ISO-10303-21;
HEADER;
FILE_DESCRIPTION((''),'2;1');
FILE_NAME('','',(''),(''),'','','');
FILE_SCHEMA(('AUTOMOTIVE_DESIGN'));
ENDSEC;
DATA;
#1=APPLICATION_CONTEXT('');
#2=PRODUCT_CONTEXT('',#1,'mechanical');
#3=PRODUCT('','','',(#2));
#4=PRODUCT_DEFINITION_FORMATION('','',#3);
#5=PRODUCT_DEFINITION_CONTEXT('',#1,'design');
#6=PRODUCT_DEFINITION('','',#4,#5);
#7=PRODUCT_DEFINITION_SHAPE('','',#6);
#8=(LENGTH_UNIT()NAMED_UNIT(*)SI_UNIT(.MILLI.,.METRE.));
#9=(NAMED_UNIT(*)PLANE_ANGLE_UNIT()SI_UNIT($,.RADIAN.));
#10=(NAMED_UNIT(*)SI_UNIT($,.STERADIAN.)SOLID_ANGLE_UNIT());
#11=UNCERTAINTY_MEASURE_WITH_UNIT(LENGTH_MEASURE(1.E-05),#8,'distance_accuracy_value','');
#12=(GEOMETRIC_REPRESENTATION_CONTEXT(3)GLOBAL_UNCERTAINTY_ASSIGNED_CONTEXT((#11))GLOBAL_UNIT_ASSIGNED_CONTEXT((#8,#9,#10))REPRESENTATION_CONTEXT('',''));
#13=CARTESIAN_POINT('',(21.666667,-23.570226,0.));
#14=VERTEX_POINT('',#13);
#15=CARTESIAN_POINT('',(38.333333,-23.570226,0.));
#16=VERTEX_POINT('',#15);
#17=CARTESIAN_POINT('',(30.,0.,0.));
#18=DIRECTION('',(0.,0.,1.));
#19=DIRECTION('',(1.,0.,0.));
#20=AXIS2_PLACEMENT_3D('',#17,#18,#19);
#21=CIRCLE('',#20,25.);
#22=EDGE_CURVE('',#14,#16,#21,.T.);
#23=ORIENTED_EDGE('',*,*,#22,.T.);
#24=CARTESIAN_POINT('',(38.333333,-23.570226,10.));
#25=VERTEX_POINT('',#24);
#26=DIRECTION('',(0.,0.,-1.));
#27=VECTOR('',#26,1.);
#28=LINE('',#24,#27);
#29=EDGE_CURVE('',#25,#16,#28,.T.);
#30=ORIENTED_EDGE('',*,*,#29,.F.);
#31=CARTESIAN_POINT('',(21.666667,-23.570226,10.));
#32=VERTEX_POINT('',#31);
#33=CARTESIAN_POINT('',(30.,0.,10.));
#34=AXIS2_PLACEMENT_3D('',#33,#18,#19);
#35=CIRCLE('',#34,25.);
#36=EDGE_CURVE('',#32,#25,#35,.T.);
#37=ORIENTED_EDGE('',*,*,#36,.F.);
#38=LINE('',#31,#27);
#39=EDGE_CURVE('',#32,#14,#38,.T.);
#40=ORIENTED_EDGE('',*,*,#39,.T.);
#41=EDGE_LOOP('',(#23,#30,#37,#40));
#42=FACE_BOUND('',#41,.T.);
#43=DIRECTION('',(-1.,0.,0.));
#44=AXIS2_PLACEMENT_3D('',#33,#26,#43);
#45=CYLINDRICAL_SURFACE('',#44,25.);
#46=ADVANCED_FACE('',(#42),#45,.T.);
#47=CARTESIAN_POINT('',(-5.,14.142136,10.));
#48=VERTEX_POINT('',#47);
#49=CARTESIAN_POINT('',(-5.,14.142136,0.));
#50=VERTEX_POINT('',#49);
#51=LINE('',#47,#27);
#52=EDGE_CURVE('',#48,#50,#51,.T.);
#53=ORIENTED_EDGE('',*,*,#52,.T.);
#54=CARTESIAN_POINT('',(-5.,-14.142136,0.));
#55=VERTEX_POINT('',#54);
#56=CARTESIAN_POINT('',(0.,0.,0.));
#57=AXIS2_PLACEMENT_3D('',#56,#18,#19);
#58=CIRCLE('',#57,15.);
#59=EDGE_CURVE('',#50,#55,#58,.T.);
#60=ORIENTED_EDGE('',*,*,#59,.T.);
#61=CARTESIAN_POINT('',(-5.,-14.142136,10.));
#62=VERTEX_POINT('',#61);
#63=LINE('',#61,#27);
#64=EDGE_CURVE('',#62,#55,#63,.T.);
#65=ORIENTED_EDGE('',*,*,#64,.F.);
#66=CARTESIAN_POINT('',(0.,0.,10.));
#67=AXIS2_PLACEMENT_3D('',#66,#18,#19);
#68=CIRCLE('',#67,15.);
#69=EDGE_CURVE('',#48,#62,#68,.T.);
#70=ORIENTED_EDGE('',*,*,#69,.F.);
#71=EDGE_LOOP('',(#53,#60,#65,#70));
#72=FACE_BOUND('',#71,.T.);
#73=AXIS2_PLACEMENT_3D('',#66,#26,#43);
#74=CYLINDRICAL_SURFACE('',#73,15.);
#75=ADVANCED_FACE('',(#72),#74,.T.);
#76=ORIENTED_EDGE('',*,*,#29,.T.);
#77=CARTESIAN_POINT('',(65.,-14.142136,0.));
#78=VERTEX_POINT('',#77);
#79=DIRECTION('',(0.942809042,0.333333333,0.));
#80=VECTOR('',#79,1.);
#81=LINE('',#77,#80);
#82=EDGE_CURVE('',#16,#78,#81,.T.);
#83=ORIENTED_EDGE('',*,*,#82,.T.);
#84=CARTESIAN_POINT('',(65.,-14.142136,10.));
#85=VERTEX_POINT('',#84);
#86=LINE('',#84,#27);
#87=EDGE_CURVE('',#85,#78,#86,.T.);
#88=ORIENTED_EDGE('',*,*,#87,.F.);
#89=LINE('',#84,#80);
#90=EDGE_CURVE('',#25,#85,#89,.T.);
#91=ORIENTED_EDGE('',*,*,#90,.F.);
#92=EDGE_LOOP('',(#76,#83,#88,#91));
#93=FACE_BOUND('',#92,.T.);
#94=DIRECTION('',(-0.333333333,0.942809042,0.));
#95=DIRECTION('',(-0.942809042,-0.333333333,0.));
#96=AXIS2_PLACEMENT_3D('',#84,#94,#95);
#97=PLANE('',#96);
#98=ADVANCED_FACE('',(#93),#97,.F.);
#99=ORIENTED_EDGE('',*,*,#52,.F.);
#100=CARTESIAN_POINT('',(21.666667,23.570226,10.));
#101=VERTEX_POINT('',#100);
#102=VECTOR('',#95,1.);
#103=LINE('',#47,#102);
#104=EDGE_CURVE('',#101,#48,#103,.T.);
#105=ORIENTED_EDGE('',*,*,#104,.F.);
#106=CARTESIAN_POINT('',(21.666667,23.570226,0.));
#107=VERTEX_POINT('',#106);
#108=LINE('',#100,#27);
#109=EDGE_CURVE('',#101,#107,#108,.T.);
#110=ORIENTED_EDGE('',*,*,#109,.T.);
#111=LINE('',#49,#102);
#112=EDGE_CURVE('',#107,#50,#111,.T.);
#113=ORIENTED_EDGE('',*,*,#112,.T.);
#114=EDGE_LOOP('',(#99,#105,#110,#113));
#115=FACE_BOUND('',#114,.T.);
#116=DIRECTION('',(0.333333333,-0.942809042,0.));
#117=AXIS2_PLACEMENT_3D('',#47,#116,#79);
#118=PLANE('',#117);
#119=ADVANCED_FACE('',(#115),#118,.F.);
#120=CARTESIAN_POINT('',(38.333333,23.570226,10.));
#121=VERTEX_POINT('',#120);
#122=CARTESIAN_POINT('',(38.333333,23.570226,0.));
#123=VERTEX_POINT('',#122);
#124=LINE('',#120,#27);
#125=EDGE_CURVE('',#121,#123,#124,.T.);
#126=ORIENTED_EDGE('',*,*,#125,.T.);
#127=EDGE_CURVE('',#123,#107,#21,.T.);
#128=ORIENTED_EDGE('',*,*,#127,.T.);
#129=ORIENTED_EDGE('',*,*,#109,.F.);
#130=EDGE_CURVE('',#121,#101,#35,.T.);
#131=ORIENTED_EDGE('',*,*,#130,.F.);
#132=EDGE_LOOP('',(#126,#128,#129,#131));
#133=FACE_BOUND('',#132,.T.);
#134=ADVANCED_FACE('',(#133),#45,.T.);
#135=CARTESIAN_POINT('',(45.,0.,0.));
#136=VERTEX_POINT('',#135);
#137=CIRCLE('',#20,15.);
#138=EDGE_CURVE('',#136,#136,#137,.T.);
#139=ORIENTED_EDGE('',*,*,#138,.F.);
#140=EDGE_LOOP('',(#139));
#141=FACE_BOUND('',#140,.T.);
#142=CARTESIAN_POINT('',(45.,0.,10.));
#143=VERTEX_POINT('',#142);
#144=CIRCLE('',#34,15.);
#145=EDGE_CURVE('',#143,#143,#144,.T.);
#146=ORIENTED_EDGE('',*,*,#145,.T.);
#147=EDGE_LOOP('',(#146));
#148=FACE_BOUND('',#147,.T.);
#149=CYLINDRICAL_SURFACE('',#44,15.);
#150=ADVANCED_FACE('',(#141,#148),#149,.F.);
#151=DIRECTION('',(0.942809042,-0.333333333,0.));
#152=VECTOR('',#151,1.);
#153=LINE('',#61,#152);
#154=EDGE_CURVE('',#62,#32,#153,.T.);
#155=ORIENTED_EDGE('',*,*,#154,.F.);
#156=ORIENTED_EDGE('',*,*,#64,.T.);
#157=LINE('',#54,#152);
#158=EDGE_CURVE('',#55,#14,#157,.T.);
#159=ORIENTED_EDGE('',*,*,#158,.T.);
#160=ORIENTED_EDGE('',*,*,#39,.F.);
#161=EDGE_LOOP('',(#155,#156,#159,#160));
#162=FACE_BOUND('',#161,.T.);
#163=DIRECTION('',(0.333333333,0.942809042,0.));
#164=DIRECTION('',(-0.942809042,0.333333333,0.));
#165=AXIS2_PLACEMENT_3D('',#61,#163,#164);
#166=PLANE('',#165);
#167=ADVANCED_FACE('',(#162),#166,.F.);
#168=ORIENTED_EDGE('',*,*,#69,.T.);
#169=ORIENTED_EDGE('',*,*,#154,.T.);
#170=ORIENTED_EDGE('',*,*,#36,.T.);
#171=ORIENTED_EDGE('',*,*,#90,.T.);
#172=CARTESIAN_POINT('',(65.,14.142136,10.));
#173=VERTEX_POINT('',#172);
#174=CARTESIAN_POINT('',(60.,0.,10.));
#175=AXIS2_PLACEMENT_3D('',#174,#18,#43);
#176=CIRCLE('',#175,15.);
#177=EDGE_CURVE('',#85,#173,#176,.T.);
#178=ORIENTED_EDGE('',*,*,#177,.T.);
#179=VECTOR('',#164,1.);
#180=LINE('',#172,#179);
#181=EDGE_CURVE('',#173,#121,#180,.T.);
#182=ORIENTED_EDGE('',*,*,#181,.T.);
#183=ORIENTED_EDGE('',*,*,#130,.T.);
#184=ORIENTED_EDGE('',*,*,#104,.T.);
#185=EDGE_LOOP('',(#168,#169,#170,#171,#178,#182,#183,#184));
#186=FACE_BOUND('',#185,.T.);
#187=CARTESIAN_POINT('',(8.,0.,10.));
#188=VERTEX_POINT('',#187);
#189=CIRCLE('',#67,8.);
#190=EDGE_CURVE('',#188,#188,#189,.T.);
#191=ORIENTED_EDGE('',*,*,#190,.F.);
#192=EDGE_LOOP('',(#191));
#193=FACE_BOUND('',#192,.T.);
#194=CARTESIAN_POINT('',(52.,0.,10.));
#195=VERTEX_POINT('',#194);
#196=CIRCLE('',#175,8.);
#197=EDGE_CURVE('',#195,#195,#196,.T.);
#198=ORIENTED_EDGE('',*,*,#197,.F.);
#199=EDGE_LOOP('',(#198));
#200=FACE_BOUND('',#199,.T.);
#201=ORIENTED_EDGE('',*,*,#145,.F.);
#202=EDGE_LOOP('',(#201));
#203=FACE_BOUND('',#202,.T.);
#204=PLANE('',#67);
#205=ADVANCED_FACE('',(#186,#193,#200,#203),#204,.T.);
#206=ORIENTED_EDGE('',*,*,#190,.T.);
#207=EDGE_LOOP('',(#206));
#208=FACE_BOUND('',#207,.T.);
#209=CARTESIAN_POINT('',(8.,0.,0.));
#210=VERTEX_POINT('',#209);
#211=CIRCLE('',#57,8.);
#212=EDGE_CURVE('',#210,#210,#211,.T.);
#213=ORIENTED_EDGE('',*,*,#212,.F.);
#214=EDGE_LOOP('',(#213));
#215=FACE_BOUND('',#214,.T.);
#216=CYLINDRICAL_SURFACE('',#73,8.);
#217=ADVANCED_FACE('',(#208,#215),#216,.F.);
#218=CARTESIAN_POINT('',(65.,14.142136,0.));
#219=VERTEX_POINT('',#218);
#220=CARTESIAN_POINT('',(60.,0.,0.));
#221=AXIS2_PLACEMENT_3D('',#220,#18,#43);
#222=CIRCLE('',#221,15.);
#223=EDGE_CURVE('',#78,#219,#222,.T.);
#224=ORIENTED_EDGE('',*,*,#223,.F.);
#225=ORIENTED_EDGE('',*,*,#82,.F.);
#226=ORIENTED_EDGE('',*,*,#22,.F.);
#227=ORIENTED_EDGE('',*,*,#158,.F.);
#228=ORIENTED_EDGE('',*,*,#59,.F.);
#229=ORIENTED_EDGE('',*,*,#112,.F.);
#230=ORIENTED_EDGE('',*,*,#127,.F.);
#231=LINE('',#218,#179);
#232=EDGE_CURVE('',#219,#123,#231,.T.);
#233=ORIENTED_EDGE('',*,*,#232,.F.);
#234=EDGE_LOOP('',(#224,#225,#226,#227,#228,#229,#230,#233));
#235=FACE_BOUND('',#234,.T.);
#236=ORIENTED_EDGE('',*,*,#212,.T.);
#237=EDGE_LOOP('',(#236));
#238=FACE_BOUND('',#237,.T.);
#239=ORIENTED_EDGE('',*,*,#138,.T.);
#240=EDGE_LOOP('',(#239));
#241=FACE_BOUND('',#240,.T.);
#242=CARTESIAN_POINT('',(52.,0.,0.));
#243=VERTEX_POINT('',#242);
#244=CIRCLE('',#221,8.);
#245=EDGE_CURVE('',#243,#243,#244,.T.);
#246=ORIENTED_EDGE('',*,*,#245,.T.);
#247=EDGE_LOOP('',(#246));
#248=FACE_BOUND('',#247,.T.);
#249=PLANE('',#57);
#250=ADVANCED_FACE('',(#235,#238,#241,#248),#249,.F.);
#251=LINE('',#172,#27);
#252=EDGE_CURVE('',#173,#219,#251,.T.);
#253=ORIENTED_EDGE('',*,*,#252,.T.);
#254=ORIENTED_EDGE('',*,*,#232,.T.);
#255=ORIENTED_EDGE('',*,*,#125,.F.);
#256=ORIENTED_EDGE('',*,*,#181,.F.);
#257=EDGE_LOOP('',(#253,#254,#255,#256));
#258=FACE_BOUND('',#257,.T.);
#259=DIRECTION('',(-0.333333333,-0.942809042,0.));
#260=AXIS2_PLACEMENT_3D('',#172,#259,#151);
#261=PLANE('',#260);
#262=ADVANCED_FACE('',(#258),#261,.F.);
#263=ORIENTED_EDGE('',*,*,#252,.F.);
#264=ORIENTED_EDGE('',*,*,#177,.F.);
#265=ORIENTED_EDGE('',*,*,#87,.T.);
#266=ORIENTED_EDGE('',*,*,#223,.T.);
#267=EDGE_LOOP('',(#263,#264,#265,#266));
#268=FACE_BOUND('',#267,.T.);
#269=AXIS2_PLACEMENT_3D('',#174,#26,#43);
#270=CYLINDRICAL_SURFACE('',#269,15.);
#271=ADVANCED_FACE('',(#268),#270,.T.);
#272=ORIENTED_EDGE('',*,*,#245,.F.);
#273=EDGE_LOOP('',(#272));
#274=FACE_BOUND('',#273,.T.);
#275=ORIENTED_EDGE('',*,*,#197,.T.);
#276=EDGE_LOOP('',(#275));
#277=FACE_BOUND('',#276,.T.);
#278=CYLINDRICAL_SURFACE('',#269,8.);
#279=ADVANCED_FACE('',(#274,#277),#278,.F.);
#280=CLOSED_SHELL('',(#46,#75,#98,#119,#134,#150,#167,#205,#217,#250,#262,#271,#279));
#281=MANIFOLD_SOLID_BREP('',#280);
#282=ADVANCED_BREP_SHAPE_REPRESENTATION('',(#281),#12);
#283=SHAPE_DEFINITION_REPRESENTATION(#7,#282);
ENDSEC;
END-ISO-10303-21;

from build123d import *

# Parameters (mm, degrees)
SKETCH1_R           = 8
SKETCH1_R_2         = 15
BOSS_EXTRUDE1_DEPTH = 10


with BuildPart() as part:
    # Sketch1 → Boss-Extrude1 (new body)
    with BuildSketch(Plane.XY):
        with BuildLine():
            Line((-5, 14.142135624), (21.666666667, 23.57022604))
            ThreePointArc((21.666666667, 23.57022604), (30, 25), (38.333333333, 23.57022604))
            Line((38.333333333, 23.57022604), (65, 14.142135624))
            ThreePointArc((65, 14.142135624), (75, 0), (65, -14.142135624))
            Line((65, -14.142135624), (38.333333333, -23.57022604))
            ThreePointArc((38.333333333, -23.57022604), (30, -25), (21.666666667, -23.57022604))
            Line((21.666666667, -23.57022604), (-5, -14.142135624))
            ThreePointArc((-5, -14.142135624), (-15, 0), (-5, 14.142135624))
        make_face()
        Circle(SKETCH1_R, mode=Mode.SUBTRACT)
        with Locations((30, 0)):
            Circle(SKETCH1_R_2, mode=Mode.SUBTRACT)
        with Locations(Location((60, 0, 0), (0, 0, 180))):
            Circle(SKETCH1_R, mode=Mode.SUBTRACT)
    extrude(amount=BOSS_EXTRUDE1_DEPTH)


solid = part.part
